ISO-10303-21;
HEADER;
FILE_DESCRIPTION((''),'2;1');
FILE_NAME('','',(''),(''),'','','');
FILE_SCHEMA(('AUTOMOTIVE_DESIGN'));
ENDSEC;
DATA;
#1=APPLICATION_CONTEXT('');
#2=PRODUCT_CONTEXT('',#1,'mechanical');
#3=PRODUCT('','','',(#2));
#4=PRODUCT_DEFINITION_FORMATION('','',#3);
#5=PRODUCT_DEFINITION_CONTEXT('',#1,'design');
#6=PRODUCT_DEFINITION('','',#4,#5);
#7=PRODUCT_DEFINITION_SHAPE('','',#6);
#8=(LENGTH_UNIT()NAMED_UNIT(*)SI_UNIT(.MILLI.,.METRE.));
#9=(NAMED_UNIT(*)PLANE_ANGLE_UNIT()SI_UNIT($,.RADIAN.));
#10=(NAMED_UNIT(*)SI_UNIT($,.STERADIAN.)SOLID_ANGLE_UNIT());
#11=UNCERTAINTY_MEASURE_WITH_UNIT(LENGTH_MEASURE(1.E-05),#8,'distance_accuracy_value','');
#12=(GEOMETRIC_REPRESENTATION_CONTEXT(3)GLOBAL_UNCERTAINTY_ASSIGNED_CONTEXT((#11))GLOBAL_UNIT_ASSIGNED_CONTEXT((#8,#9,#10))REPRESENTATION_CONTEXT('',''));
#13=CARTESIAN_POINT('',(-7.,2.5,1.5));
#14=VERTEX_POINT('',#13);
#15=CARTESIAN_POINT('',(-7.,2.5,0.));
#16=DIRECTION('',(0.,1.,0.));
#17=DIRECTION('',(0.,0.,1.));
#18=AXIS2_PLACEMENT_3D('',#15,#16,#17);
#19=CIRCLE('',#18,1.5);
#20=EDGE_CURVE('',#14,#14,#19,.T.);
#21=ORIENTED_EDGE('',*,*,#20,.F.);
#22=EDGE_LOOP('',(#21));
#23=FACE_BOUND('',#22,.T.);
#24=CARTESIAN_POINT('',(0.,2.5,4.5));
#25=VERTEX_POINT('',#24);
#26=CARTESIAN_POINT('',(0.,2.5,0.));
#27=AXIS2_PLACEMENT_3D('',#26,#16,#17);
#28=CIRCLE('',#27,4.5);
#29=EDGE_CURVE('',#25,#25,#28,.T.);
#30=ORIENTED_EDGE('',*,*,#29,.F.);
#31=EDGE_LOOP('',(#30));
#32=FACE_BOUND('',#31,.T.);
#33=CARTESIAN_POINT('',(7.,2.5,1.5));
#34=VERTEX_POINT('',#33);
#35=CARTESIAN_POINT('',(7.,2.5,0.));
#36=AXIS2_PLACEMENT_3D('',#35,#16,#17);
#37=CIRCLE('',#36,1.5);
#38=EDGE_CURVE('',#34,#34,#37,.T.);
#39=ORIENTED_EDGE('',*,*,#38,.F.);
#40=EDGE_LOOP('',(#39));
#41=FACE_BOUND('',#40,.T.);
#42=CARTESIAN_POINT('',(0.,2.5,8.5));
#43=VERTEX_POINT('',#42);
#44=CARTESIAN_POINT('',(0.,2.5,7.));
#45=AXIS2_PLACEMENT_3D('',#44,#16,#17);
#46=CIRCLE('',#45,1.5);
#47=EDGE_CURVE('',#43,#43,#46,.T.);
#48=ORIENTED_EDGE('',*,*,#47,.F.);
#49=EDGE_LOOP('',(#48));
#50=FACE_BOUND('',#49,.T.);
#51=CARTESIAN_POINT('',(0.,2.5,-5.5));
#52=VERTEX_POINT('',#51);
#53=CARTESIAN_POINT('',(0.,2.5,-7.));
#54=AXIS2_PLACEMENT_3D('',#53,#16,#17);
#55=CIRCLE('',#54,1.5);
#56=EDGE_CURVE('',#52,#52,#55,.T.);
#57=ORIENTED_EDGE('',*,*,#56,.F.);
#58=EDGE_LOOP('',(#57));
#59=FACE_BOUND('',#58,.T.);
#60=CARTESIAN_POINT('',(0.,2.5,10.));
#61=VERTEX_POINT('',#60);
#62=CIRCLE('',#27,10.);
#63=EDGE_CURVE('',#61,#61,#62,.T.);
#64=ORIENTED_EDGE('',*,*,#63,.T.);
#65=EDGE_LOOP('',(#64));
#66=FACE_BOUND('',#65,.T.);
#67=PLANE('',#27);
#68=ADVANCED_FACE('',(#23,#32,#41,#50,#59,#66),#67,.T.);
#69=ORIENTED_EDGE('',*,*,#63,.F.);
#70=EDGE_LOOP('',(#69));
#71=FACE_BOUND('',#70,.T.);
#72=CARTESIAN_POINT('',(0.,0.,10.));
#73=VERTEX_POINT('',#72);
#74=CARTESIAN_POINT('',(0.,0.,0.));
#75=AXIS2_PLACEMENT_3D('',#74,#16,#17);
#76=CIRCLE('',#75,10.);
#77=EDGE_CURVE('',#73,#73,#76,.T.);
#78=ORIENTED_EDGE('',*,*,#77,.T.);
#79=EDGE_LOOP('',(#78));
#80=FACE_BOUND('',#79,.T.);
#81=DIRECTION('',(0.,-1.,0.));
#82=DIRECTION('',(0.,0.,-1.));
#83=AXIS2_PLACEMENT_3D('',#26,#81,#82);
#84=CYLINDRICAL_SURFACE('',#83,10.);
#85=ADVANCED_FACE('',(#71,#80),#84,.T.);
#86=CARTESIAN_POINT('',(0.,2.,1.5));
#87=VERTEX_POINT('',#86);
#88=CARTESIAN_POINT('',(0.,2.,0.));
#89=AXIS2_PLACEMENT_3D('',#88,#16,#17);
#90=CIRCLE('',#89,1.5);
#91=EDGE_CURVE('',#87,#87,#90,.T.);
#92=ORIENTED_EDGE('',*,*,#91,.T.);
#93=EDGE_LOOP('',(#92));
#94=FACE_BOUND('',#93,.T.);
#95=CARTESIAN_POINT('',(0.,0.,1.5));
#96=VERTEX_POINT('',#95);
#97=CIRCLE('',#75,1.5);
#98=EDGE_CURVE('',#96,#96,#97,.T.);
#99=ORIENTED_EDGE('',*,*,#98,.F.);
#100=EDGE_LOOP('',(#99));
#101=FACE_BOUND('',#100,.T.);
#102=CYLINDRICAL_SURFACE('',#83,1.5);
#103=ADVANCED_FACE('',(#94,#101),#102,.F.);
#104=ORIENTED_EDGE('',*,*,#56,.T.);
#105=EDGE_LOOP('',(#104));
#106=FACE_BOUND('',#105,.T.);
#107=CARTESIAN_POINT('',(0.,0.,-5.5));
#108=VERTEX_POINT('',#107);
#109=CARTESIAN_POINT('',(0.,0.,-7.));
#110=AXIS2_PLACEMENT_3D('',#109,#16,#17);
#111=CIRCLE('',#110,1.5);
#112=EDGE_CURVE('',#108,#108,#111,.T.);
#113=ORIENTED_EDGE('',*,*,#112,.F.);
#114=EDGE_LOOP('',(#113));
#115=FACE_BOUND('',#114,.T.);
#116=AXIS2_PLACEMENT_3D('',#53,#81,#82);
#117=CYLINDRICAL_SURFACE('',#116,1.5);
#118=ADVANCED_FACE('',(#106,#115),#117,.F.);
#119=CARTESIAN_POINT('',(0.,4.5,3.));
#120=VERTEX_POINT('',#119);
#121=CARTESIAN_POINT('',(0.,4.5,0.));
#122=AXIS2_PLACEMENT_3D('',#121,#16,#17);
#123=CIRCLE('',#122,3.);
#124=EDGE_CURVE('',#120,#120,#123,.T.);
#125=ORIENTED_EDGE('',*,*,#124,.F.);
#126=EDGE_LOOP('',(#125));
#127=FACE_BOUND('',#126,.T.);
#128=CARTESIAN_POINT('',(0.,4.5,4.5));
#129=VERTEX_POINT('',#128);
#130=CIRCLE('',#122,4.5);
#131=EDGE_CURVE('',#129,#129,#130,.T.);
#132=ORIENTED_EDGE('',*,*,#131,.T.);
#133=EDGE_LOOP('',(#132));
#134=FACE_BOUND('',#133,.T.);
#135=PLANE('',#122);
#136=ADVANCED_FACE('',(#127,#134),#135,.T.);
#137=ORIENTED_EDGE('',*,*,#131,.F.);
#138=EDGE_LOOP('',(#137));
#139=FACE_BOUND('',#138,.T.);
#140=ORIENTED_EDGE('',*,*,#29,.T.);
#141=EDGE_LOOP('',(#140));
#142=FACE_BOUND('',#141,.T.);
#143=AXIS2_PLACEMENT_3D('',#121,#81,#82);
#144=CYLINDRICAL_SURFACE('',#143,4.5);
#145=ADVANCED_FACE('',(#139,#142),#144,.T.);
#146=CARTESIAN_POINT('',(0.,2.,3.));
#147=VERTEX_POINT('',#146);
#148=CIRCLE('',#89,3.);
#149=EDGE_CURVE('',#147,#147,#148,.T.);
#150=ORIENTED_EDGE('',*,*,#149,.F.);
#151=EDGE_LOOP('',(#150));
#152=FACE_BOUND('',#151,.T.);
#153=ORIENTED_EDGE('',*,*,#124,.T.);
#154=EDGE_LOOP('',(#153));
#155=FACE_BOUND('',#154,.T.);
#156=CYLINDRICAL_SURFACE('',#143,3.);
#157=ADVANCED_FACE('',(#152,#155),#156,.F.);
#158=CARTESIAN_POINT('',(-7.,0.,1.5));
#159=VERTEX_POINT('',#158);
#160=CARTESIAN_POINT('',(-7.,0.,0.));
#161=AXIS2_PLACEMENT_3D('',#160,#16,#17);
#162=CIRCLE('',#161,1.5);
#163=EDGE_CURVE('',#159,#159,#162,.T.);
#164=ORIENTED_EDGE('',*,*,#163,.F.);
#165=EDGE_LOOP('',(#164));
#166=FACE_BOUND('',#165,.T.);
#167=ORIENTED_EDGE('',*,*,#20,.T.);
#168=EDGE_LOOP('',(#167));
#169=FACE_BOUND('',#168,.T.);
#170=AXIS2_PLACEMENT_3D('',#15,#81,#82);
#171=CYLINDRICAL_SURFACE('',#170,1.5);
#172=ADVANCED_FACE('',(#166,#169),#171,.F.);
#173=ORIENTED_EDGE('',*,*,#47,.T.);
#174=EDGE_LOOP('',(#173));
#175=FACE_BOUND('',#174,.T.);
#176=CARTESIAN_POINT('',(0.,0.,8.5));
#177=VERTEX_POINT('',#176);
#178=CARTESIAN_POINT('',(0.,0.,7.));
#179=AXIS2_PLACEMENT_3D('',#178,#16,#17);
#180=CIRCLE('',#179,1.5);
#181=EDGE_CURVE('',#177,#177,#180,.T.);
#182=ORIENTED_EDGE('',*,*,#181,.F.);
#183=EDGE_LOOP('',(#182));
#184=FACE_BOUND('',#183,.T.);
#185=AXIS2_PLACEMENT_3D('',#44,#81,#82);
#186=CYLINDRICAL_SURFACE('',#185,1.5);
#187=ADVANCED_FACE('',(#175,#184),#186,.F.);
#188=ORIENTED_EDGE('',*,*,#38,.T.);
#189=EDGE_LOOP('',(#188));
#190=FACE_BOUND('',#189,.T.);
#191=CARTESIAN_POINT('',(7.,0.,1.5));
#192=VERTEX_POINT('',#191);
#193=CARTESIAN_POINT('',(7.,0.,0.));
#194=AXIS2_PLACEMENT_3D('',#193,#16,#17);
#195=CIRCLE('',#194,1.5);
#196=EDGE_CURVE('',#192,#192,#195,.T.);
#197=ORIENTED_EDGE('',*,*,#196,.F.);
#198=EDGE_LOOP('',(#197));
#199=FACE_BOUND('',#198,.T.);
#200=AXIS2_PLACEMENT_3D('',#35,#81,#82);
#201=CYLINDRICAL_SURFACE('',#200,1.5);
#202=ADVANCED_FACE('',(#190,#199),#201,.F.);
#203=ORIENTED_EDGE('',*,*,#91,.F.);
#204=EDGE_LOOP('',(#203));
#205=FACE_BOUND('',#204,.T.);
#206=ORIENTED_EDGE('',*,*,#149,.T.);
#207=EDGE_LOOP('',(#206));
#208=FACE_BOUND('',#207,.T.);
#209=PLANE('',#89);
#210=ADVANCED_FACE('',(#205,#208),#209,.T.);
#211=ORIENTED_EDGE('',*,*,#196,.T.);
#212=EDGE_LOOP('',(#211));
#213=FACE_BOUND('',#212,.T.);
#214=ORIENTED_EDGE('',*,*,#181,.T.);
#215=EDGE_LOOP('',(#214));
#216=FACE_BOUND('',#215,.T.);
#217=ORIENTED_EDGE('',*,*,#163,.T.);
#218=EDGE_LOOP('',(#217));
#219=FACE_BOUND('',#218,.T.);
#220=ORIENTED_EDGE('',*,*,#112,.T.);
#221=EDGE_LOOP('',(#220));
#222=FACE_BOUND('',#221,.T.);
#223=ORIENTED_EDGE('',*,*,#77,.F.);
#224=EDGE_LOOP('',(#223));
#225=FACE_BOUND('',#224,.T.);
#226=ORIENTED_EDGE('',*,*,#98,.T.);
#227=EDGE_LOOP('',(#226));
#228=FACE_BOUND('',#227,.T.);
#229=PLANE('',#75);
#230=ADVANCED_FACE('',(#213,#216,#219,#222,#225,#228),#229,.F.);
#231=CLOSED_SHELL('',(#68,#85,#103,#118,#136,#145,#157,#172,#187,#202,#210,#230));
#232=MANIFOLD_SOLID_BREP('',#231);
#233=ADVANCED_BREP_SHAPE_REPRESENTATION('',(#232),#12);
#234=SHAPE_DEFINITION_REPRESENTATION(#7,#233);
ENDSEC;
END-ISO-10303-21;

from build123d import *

# Parameters (mm, degrees)
SKETCH_1_R          = 10
SKETCH_1_R_2        = 1.5
EXTRUDE_1_DEPTH     = 2.5
SKETCH_2_R          = 4.5
SKETCH_2_R_2        = 3
EXTRUDE_2_DEPTH     = 2
CUT_EXTRUDE_START   = -0.5
SKETCH_3_R          = 3
CUT_EXTRUDE_1_DEPTH = 0.5


with BuildPart() as part:
    # 草图1 → 凸台-拉伸1 (new body)
    with BuildSketch(Plane(origin=(0, 0, 0), x_dir=(1, 0, 0), z_dir=(0, 1, 0))):
        with Locations(Location((0, 0, 0), (0, 0, 270))):
            Circle(SKETCH_1_R)
        with Locations(Location((0, 0, 0), (0, 0, 270))):
            Circle(SKETCH_1_R_2, mode=Mode.SUBTRACT)
        with Locations(Location((0, 7, 0), (0, 0, 270))):
            Circle(SKETCH_1_R_2, mode=Mode.SUBTRACT)
        with Locations(Location((7, 0, 0), (0, 0, 270))):
            Circle(SKETCH_1_R_2, mode=Mode.SUBTRACT)
        with Locations(Location((0, -7, 0), (0, 0, 270))):
            Circle(SKETCH_1_R_2, mode=Mode.SUBTRACT)
        with Locations(Location((-7, 0, 0), (0, 0, 270))):
            Circle(SKETCH_1_R_2, mode=Mode.SUBTRACT)
    extrude(amount=EXTRUDE_1_DEPTH)

    # 草图2 → 凸台-拉伸2 (add)
    with BuildSketch(Plane(origin=(0, 2.5, 0), x_dir=(1, 0, 0), z_dir=(0, 1, 0))):
        with Locations(Location((0, 0, 0), (0, 0, 270))):
            Circle(SKETCH_2_R)
        with Locations(Location((0, 0, 0), (0, 0, 270))):
            Circle(SKETCH_2_R_2, mode=Mode.SUBTRACT)
    extrude(amount=EXTRUDE_2_DEPTH)

    # 草图3 → 切除-拉伸1 (cut)
    with BuildSketch(Plane(origin=(0, 2.5, 0), x_dir=(1, 0, 0), z_dir=(0, 1, 0)).offset(CUT_EXTRUDE_START)):
        with Locations(Location((0, 0, 0), (0, 0, 270))):
            Circle(SKETCH_3_R)
    extrude(amount=CUT_EXTRUDE_1_DEPTH, mode=Mode.SUBTRACT)


solid = part.part
